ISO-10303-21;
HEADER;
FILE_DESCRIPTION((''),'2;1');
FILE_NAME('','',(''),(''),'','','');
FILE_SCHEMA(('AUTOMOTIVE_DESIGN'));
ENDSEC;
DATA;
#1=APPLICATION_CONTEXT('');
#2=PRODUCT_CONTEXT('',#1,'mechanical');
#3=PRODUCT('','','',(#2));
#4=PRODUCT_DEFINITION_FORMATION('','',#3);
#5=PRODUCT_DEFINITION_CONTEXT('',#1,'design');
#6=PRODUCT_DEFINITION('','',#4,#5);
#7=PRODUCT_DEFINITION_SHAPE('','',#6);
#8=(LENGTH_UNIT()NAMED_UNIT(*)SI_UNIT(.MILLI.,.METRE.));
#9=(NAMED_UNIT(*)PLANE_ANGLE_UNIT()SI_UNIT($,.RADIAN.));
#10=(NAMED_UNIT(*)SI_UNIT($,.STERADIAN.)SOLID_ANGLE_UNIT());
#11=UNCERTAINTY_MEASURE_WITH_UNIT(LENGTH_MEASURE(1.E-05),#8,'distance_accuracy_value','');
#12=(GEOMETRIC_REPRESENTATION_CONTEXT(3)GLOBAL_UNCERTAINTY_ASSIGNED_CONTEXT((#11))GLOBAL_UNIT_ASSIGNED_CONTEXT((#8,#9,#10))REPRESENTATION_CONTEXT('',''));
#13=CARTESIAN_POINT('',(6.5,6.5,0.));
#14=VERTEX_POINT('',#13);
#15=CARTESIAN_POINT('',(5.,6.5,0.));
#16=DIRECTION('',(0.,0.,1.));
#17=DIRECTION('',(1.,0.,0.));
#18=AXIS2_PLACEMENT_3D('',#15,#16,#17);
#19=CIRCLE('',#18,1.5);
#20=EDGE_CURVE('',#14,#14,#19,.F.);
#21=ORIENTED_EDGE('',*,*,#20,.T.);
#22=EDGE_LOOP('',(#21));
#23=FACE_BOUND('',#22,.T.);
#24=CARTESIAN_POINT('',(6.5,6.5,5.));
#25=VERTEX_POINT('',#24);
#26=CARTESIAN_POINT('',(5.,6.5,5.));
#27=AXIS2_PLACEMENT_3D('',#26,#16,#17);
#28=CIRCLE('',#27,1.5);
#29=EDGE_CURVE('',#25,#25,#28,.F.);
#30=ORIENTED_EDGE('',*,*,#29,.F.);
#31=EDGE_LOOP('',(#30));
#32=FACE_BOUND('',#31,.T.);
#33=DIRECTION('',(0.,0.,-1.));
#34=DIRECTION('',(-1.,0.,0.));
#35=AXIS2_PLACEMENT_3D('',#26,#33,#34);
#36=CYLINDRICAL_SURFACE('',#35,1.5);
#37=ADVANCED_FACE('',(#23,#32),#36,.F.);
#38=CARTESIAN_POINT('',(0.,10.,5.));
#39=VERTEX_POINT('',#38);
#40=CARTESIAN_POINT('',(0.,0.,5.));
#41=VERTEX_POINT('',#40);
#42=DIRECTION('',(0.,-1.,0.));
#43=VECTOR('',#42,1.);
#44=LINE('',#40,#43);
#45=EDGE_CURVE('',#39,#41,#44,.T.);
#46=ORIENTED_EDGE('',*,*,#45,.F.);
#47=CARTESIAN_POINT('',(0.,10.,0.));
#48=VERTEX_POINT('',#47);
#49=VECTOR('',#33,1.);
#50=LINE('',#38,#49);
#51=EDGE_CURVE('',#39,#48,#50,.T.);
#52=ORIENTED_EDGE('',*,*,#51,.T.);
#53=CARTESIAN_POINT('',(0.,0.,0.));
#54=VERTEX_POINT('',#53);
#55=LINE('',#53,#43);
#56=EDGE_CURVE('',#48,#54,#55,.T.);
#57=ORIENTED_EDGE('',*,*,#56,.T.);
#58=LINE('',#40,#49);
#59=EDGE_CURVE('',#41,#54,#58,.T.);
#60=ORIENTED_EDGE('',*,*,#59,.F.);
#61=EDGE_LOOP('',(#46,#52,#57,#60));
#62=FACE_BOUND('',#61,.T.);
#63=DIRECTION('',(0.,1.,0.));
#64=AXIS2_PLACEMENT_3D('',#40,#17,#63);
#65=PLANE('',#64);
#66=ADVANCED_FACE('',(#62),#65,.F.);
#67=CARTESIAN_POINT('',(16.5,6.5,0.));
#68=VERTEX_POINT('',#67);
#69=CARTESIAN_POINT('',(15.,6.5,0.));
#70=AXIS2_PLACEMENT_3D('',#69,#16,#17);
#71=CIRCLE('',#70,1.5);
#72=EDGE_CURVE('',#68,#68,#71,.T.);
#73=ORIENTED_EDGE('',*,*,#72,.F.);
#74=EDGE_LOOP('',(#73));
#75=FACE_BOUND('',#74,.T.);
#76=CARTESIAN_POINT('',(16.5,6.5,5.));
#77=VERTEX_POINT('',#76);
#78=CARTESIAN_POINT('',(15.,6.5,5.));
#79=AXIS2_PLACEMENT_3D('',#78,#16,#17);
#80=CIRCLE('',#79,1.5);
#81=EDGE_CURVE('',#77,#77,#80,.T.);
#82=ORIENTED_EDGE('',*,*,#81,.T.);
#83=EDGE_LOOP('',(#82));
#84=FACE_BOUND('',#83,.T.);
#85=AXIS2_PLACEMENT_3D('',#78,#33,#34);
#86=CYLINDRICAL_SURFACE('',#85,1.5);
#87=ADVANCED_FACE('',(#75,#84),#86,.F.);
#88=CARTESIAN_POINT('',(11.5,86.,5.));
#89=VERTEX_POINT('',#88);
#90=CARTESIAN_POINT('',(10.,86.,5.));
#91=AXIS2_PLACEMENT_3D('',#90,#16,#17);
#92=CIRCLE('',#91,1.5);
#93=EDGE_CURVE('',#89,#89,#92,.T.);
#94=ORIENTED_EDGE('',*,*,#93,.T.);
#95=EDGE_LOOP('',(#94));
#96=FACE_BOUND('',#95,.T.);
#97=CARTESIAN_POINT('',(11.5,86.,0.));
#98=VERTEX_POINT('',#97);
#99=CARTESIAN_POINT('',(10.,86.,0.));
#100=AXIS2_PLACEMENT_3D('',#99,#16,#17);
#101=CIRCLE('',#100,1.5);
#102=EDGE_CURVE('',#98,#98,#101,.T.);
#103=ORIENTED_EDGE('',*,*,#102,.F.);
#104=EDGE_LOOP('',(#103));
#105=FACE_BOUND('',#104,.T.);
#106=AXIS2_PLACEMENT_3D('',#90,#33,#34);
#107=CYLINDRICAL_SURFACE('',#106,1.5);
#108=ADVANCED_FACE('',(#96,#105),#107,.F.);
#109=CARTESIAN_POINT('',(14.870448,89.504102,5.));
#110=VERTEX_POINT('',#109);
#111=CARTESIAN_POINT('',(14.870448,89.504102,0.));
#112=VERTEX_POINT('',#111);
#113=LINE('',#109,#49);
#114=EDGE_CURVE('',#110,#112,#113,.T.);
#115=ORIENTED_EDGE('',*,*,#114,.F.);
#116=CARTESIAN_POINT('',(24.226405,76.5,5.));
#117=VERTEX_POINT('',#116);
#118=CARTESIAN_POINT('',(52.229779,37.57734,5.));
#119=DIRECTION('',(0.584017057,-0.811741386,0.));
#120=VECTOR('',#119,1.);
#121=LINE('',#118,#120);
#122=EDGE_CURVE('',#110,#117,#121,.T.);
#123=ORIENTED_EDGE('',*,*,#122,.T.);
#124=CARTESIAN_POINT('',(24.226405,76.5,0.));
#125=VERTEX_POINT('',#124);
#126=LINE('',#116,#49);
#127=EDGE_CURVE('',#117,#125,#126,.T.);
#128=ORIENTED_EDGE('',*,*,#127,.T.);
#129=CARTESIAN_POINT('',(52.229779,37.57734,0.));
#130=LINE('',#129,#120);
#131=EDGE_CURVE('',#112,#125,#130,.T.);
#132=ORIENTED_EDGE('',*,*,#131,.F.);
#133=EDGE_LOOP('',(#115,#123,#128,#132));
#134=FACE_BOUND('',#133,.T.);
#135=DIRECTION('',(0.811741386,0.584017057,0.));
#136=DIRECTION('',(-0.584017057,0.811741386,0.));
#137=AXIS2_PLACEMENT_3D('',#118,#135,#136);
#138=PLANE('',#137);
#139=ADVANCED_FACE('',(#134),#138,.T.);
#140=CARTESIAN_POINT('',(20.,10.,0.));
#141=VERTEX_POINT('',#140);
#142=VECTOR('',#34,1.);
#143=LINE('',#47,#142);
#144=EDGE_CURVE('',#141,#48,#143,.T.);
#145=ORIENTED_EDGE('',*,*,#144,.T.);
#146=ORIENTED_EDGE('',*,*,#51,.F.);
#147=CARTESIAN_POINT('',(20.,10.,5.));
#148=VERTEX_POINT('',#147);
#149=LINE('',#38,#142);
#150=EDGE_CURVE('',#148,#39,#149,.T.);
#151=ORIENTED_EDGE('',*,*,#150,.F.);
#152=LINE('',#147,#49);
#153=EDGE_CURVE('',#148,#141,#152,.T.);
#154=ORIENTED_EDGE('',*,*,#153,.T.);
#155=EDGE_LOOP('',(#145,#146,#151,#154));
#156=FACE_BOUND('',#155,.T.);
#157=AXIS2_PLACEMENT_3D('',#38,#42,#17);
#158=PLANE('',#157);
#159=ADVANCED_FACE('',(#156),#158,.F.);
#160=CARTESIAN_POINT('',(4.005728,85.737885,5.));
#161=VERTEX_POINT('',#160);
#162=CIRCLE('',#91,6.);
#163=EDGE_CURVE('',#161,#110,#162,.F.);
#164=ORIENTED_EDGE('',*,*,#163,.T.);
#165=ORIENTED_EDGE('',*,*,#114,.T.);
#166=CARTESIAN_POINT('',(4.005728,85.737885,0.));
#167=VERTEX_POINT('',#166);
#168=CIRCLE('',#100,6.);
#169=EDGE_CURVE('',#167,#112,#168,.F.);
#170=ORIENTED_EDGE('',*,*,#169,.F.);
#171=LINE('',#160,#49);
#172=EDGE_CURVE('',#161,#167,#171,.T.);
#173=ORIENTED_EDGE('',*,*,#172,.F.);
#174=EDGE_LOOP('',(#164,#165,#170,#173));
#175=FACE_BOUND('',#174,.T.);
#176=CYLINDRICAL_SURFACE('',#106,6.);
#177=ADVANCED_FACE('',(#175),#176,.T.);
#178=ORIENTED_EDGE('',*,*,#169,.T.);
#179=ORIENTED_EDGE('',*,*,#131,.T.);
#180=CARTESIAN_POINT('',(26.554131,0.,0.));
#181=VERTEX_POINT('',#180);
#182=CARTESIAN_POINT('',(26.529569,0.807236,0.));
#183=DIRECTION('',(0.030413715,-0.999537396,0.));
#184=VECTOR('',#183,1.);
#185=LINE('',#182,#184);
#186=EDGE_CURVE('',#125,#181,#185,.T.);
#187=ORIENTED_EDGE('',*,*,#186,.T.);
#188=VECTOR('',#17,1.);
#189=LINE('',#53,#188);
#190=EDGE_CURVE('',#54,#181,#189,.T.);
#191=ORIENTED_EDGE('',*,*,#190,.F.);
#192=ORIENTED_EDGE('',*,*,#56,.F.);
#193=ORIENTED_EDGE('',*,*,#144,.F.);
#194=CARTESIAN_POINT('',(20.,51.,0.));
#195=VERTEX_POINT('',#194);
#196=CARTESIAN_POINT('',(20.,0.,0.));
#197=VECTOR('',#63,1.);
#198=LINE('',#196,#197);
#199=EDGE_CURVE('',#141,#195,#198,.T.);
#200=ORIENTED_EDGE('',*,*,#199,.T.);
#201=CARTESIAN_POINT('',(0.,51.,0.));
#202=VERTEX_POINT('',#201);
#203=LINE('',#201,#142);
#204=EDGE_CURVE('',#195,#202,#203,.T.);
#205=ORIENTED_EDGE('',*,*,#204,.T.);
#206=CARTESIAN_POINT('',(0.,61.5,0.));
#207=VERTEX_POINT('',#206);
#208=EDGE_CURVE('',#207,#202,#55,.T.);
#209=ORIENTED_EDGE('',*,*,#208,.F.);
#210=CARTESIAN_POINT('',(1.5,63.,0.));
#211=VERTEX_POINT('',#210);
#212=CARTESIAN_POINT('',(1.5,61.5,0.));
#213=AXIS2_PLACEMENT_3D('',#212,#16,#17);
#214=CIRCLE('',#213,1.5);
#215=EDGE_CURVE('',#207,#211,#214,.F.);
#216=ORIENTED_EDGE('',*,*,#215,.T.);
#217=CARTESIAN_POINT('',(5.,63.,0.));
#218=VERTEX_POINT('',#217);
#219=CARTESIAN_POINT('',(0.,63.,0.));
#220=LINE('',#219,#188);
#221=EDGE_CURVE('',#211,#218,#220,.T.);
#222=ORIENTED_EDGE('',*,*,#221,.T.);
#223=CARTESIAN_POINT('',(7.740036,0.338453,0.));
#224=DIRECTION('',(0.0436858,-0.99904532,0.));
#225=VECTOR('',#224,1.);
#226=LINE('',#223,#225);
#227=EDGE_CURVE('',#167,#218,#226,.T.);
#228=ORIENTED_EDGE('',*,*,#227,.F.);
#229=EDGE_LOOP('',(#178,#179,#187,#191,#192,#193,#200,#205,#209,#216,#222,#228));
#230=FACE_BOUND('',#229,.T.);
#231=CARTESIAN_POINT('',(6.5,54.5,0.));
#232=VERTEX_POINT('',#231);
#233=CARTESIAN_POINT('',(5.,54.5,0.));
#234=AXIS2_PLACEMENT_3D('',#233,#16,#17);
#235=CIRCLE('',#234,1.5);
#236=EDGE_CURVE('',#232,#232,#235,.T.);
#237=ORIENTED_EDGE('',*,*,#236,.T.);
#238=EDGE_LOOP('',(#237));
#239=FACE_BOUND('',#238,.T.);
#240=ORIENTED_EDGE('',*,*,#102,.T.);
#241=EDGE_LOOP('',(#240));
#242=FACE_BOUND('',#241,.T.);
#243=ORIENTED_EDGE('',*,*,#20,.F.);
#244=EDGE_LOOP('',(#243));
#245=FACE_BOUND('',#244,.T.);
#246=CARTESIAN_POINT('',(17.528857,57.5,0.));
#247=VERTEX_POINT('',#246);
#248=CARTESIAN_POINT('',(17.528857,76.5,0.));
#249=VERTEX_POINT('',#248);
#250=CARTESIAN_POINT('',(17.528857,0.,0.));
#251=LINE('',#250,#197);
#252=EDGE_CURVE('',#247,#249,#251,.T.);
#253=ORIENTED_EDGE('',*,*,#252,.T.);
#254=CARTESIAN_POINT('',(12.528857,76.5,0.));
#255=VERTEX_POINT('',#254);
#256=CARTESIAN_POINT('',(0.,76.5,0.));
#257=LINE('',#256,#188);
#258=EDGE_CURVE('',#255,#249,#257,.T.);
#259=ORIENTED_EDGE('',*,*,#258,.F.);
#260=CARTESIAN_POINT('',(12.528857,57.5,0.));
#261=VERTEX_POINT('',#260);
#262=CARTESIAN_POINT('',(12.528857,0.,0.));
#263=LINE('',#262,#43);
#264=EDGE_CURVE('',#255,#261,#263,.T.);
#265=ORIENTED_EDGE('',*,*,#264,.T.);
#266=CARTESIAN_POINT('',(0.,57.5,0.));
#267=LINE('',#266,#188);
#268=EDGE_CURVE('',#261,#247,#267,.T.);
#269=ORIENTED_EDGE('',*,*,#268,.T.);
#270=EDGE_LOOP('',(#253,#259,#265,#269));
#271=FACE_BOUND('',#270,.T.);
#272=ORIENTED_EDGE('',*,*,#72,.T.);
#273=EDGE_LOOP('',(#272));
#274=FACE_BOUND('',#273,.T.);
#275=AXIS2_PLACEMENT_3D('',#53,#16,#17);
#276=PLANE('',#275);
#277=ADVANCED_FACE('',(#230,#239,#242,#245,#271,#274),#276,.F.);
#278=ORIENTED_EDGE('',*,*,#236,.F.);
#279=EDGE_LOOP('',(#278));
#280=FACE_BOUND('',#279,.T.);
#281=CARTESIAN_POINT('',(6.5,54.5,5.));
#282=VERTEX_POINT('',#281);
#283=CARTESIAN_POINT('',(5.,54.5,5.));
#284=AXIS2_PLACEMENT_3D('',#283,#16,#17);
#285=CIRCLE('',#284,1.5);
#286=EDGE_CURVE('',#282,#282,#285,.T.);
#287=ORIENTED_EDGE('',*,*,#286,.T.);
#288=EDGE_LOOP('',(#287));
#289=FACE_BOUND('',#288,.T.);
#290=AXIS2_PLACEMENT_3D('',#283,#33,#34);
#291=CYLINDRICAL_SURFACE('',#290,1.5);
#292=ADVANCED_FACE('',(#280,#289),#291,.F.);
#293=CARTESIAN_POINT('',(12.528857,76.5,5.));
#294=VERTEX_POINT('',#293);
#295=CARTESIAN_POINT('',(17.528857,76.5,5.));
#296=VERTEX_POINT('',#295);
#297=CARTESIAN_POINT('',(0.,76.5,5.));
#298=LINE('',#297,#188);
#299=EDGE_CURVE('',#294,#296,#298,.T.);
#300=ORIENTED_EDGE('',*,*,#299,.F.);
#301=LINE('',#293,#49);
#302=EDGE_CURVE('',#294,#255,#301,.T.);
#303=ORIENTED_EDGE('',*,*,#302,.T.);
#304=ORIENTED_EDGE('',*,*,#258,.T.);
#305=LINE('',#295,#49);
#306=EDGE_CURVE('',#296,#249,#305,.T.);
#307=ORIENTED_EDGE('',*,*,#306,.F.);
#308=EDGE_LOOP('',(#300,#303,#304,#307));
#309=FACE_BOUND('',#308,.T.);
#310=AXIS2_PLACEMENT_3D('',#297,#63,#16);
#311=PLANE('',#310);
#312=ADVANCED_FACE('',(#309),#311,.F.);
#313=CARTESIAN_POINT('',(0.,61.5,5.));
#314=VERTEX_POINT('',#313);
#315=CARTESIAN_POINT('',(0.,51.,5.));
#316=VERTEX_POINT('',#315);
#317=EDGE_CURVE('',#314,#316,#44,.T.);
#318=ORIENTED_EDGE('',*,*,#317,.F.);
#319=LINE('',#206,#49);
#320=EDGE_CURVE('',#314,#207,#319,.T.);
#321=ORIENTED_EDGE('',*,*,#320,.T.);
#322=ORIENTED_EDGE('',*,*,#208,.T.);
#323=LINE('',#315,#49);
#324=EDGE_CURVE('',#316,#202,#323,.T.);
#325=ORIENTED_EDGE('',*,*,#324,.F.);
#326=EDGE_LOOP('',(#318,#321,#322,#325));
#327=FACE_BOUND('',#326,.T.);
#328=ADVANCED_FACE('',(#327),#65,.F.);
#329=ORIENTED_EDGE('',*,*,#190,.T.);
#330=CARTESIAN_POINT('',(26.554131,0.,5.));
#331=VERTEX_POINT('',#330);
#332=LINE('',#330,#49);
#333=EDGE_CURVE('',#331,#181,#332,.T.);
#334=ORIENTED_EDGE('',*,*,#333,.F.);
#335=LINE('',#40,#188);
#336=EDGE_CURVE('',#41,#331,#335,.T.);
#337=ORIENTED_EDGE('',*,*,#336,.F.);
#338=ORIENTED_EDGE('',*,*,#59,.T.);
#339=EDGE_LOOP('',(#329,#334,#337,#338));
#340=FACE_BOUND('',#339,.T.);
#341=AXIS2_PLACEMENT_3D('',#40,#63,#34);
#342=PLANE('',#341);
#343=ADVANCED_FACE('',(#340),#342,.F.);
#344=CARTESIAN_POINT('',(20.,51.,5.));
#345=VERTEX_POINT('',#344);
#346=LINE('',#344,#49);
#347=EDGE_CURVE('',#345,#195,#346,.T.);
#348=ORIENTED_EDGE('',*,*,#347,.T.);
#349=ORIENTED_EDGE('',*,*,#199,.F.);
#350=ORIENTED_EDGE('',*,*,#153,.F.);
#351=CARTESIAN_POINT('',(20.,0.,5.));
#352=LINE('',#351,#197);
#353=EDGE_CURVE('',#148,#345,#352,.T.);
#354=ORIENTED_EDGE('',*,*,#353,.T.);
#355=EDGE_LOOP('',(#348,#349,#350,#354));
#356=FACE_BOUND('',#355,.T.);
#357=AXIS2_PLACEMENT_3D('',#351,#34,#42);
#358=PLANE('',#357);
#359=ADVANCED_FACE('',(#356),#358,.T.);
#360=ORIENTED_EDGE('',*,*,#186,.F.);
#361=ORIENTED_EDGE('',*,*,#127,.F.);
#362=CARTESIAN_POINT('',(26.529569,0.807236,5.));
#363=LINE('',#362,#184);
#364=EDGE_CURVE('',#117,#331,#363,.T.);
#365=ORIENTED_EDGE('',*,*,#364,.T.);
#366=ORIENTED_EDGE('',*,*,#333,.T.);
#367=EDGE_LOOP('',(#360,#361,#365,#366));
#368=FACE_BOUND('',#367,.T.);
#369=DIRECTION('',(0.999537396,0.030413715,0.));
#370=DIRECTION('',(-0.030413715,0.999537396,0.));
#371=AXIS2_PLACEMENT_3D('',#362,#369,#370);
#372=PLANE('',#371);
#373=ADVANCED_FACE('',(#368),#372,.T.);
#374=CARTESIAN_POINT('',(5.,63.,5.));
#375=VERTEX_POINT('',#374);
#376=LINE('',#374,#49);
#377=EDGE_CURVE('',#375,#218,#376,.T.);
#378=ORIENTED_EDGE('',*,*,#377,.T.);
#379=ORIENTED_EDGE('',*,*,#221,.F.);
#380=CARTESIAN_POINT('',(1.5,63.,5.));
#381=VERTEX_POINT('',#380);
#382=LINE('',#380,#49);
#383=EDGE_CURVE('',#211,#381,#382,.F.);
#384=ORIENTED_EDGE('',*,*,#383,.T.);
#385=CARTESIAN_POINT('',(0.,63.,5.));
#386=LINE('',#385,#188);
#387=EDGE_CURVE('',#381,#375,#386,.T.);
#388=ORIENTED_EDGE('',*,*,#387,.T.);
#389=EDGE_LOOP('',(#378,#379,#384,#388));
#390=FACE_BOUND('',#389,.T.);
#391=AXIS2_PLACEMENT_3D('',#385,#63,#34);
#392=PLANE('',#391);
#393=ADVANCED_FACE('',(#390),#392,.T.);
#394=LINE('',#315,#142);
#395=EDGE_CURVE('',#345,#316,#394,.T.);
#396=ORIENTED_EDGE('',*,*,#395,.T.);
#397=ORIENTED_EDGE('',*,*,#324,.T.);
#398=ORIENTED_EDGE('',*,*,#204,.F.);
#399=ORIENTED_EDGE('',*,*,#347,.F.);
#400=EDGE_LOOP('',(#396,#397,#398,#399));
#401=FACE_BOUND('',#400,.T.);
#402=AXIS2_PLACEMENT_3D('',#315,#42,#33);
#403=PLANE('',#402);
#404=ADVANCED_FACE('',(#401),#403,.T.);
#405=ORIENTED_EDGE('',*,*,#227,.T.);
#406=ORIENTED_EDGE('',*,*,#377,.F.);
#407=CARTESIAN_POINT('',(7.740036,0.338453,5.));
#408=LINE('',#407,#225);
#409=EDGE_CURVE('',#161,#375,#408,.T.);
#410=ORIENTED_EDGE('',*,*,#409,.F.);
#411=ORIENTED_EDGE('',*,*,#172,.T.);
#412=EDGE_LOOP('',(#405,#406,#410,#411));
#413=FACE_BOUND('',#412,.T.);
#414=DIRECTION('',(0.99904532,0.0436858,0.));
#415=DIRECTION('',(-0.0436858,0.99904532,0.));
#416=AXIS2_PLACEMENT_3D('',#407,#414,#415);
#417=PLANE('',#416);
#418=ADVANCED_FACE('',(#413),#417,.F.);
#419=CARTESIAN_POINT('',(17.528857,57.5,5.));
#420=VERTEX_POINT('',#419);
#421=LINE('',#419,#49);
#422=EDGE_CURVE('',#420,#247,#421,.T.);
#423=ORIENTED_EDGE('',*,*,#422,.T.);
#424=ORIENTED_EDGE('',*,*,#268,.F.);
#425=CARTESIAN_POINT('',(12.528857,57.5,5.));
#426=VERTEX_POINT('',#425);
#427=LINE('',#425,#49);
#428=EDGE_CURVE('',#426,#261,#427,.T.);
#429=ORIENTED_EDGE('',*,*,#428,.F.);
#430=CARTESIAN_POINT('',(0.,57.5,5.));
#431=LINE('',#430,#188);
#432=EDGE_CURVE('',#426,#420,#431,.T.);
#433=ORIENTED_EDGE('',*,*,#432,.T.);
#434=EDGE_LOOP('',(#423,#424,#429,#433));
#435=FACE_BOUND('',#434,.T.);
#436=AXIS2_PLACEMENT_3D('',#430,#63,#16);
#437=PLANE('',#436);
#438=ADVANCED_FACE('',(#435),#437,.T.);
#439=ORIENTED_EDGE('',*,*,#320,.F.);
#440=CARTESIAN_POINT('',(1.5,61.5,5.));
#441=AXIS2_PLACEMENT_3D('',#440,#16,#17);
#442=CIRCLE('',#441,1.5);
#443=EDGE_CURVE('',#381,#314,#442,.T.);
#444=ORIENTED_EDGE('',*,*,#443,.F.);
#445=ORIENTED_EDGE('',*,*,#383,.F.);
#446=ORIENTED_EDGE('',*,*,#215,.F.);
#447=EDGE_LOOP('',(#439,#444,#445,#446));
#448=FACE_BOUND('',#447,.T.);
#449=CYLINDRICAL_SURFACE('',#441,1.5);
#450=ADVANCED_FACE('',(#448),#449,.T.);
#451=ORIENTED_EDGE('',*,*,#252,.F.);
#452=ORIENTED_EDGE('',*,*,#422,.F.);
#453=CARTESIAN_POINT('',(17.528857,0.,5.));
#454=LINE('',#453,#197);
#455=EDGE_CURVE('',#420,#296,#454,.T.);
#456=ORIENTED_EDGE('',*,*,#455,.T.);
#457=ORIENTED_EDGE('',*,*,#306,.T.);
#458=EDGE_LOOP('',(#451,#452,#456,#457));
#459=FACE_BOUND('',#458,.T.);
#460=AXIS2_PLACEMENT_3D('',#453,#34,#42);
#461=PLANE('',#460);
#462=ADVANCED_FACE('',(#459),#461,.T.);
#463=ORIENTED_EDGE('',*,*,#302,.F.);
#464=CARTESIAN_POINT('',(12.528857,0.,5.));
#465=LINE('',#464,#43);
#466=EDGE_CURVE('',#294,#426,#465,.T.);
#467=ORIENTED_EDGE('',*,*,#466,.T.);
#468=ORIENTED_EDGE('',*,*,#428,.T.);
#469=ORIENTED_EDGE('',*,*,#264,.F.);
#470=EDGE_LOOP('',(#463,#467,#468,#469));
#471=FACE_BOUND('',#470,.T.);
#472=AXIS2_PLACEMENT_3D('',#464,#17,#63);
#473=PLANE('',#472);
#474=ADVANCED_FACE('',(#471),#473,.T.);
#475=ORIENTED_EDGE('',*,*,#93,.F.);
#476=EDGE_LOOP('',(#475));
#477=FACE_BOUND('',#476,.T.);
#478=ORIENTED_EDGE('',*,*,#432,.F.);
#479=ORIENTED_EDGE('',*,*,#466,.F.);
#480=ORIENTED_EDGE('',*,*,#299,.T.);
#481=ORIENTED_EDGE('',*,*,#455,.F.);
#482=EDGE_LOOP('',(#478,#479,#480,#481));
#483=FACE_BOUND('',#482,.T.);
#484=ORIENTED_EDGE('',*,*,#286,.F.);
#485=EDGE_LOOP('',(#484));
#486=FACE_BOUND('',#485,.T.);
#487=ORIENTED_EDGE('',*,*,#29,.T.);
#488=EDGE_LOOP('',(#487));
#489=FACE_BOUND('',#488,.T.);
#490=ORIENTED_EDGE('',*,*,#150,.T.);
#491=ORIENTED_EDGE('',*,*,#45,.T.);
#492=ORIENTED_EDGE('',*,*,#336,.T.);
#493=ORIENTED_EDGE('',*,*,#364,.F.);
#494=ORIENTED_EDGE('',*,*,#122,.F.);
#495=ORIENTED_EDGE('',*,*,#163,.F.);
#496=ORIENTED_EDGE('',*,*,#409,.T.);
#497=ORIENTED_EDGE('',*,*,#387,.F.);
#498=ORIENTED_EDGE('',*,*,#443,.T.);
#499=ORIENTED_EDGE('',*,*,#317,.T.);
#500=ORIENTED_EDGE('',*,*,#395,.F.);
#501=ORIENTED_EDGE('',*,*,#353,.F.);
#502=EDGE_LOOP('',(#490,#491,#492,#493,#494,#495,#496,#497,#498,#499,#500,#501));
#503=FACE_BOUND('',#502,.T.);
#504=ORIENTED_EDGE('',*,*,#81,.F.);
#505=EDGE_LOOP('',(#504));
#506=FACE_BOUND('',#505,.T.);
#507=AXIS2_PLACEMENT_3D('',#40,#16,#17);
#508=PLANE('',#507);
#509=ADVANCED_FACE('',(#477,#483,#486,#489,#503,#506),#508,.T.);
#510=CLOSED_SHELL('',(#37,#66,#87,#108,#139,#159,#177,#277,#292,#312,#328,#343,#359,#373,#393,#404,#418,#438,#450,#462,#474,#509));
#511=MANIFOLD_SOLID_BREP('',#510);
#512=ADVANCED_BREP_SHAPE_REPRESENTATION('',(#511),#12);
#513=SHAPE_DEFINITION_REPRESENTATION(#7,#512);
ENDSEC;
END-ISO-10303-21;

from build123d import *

# Parameters (mm, degrees)
ESQUISSE1_R        = 1.5
ESQUISSE1_W        = 5
ESQUISSE1_H        = 19
BOSS_EXTRU_1_DEPTH = 5
CONG_3_R           = 1.5


with BuildPart() as part:
    # Esquisse1 → Boss.-Extru.1 (new body)
    with BuildSketch(Plane.XY):
        with BuildLine():
            Line((0, 10), (0, 0))
            Line((0, 0), (26.554131445, 0))
            Line((26.554131445, 0), (24.226405413, 76.5))
            Line((24.226405413, 76.5), (14.870448313, 89.504102342))
            ThreePointArc((14.870448313, 89.504102342), (8.034842814, 91.669052587), (4.005728082, 85.7378852))
            Line((4.005728082, 85.7378852), (5, 63))
            Line((5, 63), (0, 63))
            Line((0, 63), (0, 51))
            Line((0, 51), (11, 51))
            Line((11, 51), (20, 51))
            Line((20, 51), (20, 10))
            Line((20, 10), (11, 10))
            Line((11, 10), (0, 10))
        make_face()
        with Locations((5, 54.5)):
            Circle(ESQUISSE1_R, mode=Mode.SUBTRACT)
        with Locations((15, 6.5)):
            Circle(ESQUISSE1_R, mode=Mode.SUBTRACT)
        with Locations((5, 6.5)):
            Circle(ESQUISSE1_R, mode=Mode.SUBTRACT)
        with Locations((10, 86)):
            Circle(ESQUISSE1_R, mode=Mode.SUBTRACT)
        with Locations((15.02885683, 67)):
            Rectangle(ESQUISSE1_W, ESQUISSE1_H, mode=Mode.SUBTRACT)
    extrude(amount=BOSS_EXTRU_1_DEPTH)

    # Congé3
    cong_3_edges = [part.edges().sort_by_distance(p)[0] for p in [
        (0, 63, 2.5),
    ]]
    fillet(cong_3_edges, radius=CONG_3_R)


solid = part.part
